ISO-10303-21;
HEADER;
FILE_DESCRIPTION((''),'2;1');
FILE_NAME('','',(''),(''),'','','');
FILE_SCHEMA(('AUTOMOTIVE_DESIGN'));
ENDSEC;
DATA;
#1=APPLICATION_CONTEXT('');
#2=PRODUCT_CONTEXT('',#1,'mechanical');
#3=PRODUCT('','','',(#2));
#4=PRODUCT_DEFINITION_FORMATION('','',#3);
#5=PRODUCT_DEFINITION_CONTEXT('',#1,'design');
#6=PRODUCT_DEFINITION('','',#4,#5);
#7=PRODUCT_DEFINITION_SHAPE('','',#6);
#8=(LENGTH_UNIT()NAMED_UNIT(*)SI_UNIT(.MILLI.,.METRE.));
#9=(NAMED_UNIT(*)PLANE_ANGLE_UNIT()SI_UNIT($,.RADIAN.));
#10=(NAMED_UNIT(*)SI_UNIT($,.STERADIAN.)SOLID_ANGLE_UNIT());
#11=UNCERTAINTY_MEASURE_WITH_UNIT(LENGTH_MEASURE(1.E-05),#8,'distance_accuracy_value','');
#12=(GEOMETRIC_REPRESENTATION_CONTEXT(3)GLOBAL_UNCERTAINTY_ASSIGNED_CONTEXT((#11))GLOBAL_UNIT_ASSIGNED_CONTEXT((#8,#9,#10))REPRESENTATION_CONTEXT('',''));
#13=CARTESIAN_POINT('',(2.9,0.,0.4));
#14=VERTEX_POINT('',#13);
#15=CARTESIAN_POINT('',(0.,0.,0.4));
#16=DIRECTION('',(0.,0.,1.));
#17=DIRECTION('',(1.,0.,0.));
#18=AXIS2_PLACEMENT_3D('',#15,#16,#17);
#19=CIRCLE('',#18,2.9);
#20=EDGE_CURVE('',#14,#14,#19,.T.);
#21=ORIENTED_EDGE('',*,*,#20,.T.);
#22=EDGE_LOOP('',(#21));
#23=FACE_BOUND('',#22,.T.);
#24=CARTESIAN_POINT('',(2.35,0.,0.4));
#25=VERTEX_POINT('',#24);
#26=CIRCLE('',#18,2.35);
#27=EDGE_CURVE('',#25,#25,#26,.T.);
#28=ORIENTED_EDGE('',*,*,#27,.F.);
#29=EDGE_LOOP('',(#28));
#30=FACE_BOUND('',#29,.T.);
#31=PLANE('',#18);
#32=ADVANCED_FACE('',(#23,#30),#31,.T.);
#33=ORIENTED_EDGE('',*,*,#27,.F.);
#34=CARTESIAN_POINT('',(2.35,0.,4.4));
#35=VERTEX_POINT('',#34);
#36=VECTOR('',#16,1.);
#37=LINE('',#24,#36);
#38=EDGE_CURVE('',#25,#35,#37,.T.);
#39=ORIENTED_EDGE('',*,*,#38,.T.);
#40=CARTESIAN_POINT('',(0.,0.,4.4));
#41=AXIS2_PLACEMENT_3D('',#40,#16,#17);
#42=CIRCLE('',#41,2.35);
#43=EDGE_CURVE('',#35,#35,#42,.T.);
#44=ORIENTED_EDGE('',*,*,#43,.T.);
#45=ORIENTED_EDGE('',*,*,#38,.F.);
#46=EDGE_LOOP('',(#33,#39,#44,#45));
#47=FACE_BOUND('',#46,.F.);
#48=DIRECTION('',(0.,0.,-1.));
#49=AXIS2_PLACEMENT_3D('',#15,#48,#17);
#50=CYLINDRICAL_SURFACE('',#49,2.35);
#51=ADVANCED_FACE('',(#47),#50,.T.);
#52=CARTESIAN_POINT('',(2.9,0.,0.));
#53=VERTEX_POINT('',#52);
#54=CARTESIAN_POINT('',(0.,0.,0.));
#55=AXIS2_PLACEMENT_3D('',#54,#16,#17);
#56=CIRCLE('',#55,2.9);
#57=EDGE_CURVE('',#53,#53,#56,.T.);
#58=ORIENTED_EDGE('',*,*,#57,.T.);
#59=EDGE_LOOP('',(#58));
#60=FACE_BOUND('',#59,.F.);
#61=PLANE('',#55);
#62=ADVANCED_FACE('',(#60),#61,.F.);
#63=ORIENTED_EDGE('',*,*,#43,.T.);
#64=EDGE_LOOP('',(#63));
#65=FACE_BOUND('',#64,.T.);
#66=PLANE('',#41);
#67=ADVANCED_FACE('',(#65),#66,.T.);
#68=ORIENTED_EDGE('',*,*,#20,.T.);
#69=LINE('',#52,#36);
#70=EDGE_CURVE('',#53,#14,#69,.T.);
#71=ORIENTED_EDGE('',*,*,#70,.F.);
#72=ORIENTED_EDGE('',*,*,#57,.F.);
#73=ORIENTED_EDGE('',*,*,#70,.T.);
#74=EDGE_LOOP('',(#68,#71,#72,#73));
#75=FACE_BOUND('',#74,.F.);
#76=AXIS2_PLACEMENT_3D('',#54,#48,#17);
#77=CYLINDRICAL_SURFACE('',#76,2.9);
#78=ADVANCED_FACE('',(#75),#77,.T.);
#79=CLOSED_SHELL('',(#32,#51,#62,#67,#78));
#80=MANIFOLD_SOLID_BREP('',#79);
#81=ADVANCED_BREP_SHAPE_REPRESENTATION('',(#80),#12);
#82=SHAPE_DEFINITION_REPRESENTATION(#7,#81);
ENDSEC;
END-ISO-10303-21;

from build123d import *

# Parameters (mm, degrees)
SKETCH_R     = 2.9
PAD_DEPTH    = 0.4
SKETCH001_R  = 2.35
PAD001_DEPTH = 4


with BuildPart() as part:
    # Sketch → Pad (new body)
    with BuildSketch(Plane.XY):
        Circle(SKETCH_R)
    extrude(amount=PAD_DEPTH)

    # Sketch001 → Pad001 (new body)
    with BuildSketch(Plane.XY.offset(0.4)):
        Circle(SKETCH001_R)
    extrude(amount=PAD001_DEPTH)


solid = part.part
